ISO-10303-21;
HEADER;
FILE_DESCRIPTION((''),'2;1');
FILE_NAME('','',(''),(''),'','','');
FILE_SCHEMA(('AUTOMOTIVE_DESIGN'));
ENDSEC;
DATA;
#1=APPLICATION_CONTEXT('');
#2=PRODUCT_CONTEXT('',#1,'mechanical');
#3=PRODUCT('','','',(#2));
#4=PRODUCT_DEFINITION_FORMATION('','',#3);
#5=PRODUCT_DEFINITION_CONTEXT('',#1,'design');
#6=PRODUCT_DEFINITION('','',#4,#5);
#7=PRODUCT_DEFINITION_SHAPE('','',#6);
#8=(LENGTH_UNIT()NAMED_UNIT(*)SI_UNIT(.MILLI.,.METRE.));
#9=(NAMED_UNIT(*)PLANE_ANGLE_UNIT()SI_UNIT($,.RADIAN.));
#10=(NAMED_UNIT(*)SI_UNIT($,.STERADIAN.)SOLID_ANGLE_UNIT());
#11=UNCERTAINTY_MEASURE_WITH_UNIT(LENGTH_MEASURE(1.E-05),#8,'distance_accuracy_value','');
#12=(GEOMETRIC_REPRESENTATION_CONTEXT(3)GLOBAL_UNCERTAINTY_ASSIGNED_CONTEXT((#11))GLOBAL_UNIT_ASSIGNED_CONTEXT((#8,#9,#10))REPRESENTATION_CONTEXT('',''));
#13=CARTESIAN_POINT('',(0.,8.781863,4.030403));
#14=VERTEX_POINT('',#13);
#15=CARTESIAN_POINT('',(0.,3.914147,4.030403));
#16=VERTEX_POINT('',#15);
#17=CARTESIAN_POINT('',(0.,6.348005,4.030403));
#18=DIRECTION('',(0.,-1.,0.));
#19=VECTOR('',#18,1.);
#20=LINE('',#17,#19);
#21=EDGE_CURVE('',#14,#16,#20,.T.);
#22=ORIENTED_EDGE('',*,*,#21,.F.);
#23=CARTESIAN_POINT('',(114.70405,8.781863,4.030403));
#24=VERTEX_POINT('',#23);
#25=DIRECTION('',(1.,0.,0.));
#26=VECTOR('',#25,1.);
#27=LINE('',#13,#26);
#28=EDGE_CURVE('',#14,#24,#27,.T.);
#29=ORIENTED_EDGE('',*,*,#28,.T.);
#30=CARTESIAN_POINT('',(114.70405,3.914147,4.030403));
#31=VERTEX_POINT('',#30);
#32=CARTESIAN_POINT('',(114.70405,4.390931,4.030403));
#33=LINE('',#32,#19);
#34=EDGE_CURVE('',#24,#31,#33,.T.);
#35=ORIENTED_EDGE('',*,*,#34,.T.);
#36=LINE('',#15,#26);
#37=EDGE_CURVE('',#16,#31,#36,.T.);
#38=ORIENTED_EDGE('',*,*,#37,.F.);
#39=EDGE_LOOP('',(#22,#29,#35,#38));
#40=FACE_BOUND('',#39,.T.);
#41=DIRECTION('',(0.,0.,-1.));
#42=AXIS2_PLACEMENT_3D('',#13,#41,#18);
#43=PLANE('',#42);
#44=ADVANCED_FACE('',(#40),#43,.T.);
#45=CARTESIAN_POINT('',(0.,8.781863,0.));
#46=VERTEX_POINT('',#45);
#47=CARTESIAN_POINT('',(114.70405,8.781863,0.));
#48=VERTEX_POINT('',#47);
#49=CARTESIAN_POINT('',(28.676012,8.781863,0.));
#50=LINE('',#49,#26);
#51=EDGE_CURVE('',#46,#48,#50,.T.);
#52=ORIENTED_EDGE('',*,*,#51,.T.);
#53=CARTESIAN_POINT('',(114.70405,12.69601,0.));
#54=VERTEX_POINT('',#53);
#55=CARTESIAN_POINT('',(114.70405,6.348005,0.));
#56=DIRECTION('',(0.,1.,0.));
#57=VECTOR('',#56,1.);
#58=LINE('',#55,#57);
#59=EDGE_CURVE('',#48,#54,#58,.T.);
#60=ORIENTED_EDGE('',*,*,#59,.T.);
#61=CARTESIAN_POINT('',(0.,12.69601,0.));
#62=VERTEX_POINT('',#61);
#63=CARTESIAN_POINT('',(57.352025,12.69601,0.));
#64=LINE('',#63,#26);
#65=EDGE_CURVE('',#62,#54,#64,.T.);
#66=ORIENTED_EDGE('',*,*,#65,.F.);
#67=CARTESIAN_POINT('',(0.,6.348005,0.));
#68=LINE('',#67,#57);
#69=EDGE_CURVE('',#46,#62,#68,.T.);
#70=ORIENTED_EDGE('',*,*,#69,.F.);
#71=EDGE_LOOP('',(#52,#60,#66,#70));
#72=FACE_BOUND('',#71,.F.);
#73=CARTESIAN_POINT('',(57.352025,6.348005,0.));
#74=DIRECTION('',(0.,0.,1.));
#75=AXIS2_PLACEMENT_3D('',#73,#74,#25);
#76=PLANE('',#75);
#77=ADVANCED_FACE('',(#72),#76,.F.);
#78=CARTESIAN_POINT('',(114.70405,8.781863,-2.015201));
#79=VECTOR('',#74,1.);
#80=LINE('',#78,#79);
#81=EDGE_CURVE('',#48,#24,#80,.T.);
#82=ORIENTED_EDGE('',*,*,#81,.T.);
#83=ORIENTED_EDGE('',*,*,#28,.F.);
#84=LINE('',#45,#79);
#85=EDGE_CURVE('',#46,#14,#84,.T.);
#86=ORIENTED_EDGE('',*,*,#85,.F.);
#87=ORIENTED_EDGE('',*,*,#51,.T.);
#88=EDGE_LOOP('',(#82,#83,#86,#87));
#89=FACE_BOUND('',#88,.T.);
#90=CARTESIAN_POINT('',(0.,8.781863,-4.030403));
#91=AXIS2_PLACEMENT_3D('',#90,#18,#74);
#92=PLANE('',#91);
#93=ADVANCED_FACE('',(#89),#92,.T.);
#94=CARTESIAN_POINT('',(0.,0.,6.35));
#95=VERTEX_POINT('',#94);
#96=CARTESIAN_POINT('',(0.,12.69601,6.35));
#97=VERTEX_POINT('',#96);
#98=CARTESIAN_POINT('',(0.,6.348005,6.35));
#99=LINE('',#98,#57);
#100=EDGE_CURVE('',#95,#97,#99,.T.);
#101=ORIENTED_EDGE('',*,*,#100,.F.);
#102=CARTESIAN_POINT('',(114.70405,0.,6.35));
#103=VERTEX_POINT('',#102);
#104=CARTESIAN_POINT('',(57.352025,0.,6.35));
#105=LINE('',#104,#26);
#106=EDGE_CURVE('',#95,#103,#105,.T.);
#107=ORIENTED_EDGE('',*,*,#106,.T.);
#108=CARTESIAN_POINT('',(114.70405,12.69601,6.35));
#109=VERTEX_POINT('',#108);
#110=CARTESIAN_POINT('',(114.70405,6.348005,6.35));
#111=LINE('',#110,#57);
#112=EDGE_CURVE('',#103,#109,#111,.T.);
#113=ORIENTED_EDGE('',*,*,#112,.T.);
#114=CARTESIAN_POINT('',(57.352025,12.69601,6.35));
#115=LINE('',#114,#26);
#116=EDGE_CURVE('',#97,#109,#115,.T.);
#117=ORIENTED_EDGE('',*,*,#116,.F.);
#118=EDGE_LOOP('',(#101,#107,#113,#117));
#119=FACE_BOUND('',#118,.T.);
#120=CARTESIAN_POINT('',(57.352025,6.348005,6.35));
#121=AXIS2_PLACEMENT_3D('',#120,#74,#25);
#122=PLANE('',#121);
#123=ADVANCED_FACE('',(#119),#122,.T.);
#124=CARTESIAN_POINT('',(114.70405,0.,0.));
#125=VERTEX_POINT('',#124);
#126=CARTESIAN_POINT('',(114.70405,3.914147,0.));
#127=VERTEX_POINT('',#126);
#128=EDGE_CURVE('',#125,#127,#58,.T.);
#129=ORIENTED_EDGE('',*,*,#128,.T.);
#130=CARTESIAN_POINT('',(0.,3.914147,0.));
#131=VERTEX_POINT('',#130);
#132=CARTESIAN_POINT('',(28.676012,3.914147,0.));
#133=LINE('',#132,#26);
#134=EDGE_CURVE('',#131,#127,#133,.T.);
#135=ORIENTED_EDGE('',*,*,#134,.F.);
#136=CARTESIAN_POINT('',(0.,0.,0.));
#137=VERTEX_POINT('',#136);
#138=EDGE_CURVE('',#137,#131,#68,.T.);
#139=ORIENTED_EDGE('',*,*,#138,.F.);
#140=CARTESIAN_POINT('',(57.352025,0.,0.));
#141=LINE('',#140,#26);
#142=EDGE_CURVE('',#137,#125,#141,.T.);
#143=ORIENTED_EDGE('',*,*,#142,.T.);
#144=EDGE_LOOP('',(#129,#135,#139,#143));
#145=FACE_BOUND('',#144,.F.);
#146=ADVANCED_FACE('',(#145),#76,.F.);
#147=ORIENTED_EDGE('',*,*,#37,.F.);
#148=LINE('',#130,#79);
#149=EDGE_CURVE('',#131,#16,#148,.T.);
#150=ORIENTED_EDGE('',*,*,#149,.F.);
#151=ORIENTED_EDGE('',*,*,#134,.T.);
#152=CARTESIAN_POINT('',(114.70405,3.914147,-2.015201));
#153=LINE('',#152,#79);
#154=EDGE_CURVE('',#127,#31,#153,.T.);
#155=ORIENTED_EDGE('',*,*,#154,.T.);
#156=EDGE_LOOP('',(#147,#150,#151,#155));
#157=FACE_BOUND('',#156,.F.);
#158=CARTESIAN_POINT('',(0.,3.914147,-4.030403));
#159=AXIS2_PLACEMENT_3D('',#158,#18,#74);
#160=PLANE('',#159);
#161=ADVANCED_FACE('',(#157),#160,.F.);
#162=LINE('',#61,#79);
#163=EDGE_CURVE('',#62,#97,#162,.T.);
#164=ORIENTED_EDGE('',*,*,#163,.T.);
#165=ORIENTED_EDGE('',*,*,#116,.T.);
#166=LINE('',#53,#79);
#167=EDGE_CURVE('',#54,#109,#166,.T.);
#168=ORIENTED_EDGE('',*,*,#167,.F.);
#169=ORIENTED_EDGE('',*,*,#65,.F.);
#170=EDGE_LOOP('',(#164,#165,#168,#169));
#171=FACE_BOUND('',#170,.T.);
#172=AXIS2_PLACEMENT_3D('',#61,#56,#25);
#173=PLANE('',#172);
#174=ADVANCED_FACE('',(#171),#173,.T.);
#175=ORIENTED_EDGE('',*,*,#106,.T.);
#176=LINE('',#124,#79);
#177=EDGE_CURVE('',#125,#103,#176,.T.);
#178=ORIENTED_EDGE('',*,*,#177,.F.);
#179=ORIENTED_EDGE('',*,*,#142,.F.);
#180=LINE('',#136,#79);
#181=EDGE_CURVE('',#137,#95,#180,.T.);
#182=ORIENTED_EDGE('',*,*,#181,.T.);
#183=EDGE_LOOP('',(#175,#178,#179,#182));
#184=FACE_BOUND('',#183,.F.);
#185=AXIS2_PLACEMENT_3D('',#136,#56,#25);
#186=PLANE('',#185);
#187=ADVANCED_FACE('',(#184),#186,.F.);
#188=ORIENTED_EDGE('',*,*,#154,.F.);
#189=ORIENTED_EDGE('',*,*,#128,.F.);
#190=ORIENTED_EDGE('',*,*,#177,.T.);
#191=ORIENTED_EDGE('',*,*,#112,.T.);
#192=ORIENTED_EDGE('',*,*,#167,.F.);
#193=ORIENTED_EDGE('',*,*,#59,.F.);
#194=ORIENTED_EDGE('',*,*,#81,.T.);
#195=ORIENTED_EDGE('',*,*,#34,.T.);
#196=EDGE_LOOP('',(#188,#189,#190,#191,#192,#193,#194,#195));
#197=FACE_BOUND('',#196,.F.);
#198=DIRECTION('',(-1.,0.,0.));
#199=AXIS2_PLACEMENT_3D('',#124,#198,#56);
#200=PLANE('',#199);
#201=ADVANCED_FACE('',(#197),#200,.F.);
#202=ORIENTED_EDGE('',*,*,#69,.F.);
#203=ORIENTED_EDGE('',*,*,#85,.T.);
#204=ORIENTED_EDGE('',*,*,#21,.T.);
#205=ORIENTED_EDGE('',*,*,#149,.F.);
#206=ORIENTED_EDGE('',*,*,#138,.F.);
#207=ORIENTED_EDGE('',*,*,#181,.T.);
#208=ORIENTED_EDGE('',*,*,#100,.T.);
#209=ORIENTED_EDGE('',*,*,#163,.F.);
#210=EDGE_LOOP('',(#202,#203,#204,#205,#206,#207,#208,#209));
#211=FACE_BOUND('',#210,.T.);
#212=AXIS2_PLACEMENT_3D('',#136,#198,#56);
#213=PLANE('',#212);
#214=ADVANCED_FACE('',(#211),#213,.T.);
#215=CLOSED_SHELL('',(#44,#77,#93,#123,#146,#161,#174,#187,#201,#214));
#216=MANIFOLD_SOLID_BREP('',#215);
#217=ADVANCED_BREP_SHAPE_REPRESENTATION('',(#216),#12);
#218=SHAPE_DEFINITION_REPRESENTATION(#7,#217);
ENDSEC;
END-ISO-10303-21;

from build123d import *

# Parameters (mm, degrees)
F0_W     = 114.70405
F0_H     = 12.69601
F1_DEPTH = 6.35
F2_W     = 4.867716
F2_H     = 8.060806
F3_DEPTH = 114.70505


with BuildPart() as f1:
    # F0 (on Top) → F1 (new body)
    with BuildSketch(Plane.XY):
        with Locations((57.352025, 6.348005)):
            Rectangle(F0_W, F0_H)
    extrude(amount=F1_DEPTH)

    # F2 (on face) → F3 (cut, through all)
    with BuildSketch(Plane(origin=(0, 0, 0), x_dir=(0, -1, 0), z_dir=(-1, 0, 0))):
        with Locations((-6.348005, 0)):
            Rectangle(F2_W, F2_H)
    extrude(amount=-F3_DEPTH, mode=Mode.SUBTRACT)


solid = f1.part
